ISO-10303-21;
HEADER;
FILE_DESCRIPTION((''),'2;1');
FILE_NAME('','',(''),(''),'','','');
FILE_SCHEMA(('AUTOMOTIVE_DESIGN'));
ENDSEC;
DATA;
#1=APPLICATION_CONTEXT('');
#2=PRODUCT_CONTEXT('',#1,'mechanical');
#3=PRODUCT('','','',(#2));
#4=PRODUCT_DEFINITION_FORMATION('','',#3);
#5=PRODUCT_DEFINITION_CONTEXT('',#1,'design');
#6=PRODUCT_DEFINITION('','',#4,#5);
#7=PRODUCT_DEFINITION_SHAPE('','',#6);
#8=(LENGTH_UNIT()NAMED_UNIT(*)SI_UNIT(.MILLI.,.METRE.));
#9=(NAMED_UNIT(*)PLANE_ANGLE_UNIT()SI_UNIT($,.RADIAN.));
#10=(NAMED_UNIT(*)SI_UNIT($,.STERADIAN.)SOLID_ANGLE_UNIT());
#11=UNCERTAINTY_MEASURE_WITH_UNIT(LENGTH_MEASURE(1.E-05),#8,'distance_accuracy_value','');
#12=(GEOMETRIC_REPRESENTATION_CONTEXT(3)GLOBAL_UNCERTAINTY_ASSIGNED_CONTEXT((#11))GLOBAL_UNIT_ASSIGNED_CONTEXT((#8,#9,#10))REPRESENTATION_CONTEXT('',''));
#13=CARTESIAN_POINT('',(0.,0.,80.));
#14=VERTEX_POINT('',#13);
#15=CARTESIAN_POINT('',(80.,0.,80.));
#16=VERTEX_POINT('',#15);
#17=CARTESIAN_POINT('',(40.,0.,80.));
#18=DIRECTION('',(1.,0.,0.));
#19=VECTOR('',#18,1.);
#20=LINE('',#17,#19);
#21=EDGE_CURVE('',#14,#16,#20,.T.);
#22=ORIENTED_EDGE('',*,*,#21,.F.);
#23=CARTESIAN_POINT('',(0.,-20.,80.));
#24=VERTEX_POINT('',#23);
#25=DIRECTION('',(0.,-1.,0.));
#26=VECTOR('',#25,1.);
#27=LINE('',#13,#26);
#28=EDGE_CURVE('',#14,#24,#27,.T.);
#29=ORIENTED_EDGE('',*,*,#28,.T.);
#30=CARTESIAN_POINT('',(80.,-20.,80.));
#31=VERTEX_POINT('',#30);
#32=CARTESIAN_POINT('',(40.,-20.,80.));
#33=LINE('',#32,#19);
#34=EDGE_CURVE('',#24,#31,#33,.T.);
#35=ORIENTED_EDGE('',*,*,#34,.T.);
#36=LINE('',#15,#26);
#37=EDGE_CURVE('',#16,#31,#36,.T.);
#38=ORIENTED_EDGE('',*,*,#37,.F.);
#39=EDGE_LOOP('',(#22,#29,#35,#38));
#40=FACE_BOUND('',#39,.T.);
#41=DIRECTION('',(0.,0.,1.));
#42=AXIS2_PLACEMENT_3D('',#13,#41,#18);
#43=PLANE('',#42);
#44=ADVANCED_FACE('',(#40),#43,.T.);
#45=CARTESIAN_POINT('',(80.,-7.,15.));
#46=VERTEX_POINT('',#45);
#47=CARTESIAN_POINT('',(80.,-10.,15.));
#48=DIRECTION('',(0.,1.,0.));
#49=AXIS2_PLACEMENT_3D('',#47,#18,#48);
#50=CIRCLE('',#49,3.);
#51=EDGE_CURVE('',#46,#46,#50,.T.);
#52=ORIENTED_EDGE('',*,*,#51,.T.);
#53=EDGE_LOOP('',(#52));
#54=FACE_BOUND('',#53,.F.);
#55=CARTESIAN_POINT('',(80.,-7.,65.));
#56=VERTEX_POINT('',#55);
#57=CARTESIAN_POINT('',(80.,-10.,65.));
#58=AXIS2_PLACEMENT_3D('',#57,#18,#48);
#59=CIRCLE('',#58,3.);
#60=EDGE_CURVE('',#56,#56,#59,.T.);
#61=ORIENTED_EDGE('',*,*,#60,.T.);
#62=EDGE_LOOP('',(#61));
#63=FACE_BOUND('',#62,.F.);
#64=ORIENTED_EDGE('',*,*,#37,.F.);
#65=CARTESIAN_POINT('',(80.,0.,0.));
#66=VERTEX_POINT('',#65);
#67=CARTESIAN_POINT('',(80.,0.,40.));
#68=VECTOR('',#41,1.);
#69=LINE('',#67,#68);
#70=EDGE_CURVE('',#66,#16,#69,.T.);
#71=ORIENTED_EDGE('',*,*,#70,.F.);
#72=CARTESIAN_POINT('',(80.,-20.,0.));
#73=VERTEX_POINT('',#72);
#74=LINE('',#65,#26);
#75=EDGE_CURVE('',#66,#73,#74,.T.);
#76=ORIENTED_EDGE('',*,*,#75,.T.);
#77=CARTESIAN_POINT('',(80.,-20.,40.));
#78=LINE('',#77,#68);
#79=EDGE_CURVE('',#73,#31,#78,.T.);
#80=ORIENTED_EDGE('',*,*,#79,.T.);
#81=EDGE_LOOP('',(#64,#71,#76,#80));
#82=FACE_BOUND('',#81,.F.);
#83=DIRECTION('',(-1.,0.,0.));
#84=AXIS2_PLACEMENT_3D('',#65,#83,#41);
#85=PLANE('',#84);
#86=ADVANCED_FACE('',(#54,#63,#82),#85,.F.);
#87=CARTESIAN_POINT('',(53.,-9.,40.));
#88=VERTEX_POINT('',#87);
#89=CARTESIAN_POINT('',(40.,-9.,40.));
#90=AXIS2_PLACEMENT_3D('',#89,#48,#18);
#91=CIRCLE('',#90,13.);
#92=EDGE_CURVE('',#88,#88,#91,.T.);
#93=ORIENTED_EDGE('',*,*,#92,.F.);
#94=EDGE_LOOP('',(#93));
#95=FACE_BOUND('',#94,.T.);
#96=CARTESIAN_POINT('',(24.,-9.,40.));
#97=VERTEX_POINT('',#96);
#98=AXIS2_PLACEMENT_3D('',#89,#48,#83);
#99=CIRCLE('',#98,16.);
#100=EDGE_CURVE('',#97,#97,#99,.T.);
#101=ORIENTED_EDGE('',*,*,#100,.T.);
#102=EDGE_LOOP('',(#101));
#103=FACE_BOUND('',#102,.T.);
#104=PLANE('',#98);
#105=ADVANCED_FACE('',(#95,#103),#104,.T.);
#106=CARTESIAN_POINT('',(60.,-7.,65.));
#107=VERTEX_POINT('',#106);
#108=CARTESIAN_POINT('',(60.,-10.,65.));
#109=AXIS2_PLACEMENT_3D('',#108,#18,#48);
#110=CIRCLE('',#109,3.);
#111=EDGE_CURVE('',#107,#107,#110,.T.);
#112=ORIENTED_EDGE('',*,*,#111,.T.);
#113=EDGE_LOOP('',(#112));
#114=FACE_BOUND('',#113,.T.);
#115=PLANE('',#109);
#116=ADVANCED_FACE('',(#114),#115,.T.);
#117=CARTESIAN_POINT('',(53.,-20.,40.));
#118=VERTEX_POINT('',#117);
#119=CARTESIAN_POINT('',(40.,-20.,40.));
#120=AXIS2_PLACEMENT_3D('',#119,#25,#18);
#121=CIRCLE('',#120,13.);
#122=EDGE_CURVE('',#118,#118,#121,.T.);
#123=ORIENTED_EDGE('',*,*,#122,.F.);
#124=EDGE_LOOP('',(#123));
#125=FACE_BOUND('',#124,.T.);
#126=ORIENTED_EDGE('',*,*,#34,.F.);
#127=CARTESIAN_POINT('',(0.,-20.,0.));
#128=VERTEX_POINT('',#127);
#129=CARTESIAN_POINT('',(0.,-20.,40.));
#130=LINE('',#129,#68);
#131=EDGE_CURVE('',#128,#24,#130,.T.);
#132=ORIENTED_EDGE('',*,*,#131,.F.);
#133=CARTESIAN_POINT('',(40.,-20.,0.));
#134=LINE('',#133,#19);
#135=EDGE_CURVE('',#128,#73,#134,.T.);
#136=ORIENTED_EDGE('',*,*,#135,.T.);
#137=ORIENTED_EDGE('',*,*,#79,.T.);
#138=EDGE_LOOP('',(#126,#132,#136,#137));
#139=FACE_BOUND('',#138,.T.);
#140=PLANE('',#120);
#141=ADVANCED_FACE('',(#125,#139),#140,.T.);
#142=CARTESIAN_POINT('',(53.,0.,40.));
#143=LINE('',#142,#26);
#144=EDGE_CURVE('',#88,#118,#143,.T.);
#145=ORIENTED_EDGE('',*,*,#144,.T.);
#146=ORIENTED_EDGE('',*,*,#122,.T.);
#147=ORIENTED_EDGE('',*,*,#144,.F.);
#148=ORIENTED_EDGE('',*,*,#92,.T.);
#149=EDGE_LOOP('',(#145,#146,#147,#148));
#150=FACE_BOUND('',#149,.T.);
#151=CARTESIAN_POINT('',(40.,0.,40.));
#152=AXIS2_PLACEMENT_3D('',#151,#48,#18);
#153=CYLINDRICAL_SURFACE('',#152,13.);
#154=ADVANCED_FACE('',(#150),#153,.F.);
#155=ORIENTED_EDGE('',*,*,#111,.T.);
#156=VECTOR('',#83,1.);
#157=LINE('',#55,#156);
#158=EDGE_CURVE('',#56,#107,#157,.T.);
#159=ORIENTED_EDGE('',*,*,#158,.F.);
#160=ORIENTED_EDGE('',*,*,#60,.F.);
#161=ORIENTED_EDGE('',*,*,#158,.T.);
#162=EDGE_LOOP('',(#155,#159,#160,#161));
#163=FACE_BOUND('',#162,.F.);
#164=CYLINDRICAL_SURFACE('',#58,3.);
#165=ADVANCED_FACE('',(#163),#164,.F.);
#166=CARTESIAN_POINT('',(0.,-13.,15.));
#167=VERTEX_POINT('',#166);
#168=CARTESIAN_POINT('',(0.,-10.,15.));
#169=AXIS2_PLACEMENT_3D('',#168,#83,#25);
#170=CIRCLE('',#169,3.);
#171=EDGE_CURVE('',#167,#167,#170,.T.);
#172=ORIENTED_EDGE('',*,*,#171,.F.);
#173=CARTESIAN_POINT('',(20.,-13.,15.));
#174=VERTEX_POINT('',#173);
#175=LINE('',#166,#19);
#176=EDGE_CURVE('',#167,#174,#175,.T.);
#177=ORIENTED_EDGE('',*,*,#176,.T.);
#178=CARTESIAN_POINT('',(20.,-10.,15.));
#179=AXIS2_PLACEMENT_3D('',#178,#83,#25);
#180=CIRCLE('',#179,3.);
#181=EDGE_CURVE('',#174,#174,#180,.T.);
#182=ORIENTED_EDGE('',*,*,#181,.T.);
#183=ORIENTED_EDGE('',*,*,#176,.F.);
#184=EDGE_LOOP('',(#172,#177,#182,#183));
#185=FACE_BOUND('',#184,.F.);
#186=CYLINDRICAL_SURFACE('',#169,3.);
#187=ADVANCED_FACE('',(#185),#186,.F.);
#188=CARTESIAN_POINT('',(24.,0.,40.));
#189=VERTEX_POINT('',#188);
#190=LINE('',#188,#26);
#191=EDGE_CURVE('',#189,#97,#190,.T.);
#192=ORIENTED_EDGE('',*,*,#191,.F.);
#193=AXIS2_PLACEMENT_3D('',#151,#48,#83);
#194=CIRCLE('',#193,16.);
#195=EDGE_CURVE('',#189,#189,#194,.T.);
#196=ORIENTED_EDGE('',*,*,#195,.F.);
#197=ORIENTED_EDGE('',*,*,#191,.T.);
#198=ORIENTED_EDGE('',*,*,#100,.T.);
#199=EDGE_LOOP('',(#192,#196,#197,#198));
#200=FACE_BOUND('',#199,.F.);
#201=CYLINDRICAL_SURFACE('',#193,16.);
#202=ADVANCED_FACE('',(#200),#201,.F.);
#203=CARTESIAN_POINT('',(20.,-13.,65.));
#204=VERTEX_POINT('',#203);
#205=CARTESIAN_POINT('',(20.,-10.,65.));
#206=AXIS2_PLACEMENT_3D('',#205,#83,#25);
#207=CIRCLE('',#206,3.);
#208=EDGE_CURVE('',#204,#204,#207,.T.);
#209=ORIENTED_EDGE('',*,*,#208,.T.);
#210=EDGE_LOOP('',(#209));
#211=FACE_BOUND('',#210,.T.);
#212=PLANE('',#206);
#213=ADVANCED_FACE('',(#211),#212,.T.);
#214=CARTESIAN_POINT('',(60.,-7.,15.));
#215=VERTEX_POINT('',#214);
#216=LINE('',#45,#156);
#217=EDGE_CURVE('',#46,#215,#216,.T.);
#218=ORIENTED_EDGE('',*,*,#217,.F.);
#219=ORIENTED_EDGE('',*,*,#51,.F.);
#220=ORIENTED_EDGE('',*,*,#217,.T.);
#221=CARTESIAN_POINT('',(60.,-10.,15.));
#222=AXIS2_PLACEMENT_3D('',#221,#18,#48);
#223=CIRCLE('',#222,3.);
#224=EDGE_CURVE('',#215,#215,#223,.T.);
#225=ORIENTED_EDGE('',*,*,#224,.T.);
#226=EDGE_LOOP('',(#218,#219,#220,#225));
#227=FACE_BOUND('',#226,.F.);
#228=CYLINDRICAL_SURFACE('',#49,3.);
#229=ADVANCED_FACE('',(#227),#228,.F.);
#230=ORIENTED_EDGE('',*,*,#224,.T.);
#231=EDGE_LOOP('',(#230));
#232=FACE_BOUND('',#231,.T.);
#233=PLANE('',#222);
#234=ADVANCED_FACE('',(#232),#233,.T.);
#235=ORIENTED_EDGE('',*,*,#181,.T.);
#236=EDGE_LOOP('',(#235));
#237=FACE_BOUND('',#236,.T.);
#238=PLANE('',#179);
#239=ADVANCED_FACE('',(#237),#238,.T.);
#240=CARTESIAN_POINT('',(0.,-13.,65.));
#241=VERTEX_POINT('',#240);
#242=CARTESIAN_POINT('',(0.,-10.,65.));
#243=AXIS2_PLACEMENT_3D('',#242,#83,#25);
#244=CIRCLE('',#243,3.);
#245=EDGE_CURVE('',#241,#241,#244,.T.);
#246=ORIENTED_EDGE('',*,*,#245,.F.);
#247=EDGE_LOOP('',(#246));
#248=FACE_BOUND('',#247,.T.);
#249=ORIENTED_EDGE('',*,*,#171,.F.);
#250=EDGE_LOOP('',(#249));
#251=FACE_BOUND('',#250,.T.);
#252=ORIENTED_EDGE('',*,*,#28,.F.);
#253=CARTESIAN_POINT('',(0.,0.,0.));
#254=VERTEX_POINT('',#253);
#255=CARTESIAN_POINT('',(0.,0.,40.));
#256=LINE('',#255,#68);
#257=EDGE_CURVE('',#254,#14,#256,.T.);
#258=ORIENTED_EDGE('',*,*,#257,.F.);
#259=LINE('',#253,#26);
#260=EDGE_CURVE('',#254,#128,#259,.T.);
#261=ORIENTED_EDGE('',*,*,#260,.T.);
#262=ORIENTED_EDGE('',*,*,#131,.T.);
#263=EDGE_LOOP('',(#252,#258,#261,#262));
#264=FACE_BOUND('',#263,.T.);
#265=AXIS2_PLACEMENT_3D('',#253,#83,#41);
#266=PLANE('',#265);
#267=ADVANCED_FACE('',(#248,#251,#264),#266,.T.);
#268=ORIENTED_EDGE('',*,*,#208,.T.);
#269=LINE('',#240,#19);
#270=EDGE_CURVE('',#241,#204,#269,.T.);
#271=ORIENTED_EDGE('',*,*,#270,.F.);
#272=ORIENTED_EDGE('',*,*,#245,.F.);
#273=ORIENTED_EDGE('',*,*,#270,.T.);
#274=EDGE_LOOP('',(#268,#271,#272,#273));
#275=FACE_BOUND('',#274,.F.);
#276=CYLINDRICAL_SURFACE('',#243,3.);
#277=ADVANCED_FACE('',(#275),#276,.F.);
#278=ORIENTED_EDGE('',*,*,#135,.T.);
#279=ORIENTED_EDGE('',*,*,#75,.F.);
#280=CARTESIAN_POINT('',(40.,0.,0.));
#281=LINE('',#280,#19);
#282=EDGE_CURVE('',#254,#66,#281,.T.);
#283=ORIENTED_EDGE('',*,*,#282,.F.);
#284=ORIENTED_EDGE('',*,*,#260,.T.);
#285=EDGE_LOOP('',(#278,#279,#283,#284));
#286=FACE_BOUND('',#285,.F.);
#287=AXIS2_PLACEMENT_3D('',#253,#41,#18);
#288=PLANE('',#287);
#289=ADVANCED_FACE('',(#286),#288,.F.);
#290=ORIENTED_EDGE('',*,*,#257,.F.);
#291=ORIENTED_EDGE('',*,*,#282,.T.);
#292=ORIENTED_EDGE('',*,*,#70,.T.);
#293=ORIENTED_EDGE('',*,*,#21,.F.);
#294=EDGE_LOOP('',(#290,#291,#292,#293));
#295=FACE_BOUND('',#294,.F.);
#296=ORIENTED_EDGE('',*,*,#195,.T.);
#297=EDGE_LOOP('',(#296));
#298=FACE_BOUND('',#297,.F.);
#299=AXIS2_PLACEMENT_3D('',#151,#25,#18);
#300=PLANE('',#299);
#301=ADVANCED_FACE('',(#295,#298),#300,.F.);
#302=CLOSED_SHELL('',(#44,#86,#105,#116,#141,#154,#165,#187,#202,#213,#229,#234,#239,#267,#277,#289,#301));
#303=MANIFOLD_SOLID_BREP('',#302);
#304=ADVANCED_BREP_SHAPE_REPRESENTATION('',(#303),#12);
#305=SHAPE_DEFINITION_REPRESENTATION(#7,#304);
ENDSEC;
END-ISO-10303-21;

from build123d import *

# Parameters (mm, degrees)
F0_W     = 80
F0_H     = 80
F0_R     = 13
F1_DEPTH = 20
F2_R     = 16
F2_R_2   = 13
F3_DEPTH = 9
F4_R     = 3
F5_DEPTH = 20
F6_R     = 3
F7_DEPTH = 20


with BuildPart() as f1:
    # F0 (on Front) → F1 (new body)
    with BuildSketch(Plane.XZ):
        with Locations((40, 40)):
            Rectangle(F0_W, F0_H)
        with Locations((40, 40)):
            Circle(F0_R, mode=Mode.SUBTRACT)
    extrude(amount=F1_DEPTH)

    # F2 (on face) → F3 (cut)
    with BuildSketch(Plane(origin=(0, 0, 0), x_dir=(-1, 0, 0), z_dir=(0, 1, 0))):
        with Locations((-40, 40)):
            Circle(F2_R)
        with Locations((-40, 40)):
            Circle(F2_R_2, mode=Mode.SUBTRACT)
    extrude(amount=-F3_DEPTH, mode=Mode.SUBTRACT)

    # F4 (on face) → F5 (cut)
    with BuildSketch(Plane.YZ.offset(80)):
        with Locations((-10, 65)):
            Circle(F4_R)
        with Locations((-10, 15)):
            Circle(F4_R)
    extrude(amount=-F5_DEPTH, mode=Mode.SUBTRACT)

    # F6 (on face) → F7 (cut)
    with BuildSketch(Plane(origin=(0, 0, 0), x_dir=(0, -1, 0), z_dir=(-1, 0, 0))):
        with Locations((10, 65)):
            Circle(F6_R)
        with Locations((10, 15)):
            Circle(F6_R)
    extrude(amount=-F7_DEPTH, mode=Mode.SUBTRACT)


solid = f1.part
